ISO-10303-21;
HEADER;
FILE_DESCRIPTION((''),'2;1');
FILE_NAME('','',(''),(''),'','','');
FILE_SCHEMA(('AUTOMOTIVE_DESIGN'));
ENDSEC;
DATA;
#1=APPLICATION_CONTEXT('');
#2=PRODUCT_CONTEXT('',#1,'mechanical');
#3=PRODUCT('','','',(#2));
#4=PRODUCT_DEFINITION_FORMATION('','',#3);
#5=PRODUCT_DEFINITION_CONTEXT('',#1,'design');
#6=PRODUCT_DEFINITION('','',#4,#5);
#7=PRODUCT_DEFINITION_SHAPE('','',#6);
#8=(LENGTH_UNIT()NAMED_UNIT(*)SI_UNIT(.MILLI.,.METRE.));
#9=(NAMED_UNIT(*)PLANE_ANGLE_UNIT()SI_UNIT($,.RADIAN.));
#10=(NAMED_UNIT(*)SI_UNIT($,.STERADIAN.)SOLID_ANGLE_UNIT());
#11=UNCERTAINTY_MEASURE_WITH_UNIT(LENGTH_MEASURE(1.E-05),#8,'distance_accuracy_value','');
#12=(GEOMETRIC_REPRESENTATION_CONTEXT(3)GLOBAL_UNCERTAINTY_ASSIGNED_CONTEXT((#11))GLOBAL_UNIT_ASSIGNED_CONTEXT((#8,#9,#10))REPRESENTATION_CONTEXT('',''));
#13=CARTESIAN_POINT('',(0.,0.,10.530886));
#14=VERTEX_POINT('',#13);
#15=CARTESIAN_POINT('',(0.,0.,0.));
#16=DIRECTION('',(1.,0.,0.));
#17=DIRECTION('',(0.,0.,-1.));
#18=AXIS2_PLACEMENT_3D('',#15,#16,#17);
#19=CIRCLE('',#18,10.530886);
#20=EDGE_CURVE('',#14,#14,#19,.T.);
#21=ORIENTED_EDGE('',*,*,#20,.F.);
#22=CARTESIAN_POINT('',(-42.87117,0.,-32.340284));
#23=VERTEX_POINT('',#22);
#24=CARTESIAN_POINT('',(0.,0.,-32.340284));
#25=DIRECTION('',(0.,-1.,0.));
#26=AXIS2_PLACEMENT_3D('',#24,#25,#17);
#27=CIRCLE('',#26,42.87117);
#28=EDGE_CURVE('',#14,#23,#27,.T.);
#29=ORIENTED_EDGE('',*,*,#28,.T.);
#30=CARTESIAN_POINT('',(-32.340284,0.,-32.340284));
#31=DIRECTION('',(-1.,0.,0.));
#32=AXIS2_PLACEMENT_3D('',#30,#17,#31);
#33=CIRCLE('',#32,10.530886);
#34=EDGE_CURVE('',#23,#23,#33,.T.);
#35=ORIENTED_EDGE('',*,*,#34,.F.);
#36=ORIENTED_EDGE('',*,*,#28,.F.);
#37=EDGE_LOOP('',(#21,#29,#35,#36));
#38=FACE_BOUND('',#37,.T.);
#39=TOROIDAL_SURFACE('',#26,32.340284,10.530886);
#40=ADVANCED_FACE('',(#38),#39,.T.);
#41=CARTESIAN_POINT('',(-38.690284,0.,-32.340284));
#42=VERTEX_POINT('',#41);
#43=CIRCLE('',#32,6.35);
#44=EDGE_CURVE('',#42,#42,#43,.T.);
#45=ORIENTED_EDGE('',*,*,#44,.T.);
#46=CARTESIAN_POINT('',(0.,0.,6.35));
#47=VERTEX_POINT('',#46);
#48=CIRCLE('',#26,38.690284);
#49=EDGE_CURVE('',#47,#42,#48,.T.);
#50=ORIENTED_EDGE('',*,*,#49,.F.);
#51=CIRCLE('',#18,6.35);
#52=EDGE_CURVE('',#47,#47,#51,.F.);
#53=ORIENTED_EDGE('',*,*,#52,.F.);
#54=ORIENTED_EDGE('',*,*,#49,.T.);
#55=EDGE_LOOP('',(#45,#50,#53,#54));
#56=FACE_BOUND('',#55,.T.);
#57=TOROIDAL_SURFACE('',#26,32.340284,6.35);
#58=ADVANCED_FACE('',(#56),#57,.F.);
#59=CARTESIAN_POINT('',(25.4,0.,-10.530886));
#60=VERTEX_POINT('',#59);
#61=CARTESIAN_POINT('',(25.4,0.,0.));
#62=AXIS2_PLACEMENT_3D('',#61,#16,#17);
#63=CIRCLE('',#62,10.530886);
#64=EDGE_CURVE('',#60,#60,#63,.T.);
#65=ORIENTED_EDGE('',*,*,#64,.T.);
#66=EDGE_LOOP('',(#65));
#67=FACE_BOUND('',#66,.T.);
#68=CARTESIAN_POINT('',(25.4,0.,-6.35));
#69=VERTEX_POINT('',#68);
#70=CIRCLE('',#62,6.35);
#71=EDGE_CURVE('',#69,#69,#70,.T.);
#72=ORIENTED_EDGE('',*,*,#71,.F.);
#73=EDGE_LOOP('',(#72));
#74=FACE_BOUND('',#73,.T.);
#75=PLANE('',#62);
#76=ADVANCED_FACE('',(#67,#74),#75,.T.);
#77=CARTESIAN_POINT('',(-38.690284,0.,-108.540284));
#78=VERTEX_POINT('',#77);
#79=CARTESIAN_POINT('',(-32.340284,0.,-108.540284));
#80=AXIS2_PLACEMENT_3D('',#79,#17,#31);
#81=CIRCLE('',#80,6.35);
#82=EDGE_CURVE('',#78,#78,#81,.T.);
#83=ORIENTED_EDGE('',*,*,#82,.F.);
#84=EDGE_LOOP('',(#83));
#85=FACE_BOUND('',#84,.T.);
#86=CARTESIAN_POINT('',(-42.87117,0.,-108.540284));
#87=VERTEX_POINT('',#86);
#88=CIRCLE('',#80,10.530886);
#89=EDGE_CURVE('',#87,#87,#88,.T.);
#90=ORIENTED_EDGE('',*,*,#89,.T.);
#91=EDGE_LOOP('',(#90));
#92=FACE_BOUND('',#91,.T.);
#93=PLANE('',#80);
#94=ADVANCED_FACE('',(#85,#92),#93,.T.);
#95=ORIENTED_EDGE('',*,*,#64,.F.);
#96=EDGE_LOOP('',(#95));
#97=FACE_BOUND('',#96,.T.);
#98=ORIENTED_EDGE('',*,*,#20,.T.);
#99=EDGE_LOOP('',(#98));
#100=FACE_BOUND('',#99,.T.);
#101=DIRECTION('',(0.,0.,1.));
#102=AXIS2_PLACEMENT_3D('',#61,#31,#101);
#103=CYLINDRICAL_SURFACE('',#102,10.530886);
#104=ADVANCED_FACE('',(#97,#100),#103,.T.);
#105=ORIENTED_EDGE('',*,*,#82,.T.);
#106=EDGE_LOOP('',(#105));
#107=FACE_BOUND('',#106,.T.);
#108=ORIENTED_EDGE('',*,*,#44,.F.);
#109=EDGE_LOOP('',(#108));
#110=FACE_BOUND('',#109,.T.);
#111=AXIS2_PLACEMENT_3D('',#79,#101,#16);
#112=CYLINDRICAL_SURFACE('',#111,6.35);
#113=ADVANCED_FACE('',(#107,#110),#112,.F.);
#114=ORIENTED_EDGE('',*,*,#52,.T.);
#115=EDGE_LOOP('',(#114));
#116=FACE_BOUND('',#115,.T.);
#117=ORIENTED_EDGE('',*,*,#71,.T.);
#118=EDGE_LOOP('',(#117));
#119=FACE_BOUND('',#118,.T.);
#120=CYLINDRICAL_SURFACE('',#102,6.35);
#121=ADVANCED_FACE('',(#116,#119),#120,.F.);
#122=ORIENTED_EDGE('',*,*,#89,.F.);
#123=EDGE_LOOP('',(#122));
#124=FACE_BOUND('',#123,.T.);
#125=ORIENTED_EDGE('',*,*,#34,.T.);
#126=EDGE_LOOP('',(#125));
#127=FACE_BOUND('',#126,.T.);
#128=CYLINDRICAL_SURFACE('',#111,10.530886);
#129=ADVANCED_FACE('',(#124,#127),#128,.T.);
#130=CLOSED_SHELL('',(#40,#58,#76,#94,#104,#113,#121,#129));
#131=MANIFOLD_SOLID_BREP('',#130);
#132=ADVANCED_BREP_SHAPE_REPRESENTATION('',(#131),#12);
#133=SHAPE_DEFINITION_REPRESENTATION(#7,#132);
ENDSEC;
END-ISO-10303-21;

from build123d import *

# Parameters (mm, degrees)
SKETCH2_R           = 10.530885837
SKETCH2_R_2         = 6.35
SKETCH3_R           = 10.530885837
SKETCH3_R_2         = 6.35
BOSS_EXTRUDE1_DEPTH = 76.2
SKETCH4_R           = 10.530885837
SKETCH4_R_2         = 6.35
BOSS_EXTRUDE2_DEPTH = 25.4


with BuildPart() as part:
    # Sweep1: sweep along a path in Sketch1
    with BuildLine(Plane(origin=(0, 0, 0), x_dir=(1, 0, 0), z_dir=(0, 1, 0))) as sweep1_path:
        ThreePointArc((0, 0), (-22.86803443, 9.472250006), (-32.340284436, 32.340284436))
    # Sketch2 → Sweep1 (sweep)
    with BuildSketch(Plane(origin=(0, 0, 0), x_dir=(0, 0, -1), z_dir=(1, 0, 0))):
        Circle(SKETCH2_R)
        Circle(SKETCH2_R_2, mode=Mode.SUBTRACT)
    sweep(path=sweep1_path.line)

    # Sketch3 → Boss-Extrude1 (add)
    with BuildSketch(Plane(origin=(0, 0, -32.340284436), x_dir=(-1, 0, 0), z_dir=(0, 0, -1))):
        with Locations((32.340284436, 0)):
            Circle(SKETCH3_R)
        with Locations((32.340284436, 0)):
            Circle(SKETCH3_R_2, mode=Mode.SUBTRACT)
    extrude(amount=BOSS_EXTRUDE1_DEPTH)

    # Sketch4 → Boss-Extrude2 (add)
    with BuildSketch(Plane(origin=(0, 0, 0), x_dir=(0, 0, -1), z_dir=(1, 0, 0))):
        with Locations(Location((0, 0, 0), (0, 0, 180))):
            Circle(SKETCH4_R)
        with Locations(Location((0, 0, 0), (0, 0, 180))):
            Circle(SKETCH4_R_2, mode=Mode.SUBTRACT)
    extrude(amount=BOSS_EXTRUDE2_DEPTH)


solid = part.part
